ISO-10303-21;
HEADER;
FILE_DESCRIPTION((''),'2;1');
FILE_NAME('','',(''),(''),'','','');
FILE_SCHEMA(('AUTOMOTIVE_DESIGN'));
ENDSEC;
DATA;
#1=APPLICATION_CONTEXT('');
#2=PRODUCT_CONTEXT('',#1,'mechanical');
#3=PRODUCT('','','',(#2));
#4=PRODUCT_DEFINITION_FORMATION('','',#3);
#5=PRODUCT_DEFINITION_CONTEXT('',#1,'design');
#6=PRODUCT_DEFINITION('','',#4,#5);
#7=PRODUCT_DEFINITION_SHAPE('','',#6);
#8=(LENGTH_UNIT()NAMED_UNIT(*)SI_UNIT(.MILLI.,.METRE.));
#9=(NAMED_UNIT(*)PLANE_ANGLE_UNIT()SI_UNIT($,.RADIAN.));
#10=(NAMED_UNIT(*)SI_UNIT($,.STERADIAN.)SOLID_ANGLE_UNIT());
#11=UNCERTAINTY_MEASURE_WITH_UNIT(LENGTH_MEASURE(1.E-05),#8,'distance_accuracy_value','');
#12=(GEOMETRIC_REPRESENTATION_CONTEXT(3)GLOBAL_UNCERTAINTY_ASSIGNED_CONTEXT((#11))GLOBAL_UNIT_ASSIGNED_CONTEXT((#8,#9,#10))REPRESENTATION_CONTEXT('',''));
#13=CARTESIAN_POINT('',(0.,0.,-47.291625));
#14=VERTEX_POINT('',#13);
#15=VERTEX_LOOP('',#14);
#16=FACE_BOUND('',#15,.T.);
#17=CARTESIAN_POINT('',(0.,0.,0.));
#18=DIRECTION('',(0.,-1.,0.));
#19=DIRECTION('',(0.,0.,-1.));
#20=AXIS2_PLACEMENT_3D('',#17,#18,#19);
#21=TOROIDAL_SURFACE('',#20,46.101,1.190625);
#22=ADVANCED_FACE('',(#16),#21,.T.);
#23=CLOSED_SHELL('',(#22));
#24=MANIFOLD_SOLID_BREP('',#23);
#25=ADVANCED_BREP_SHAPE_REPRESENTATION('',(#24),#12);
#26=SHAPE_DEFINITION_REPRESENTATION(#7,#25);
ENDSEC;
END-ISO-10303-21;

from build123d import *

# Parameters (mm, degrees)
SKETCH1_R = 1.190625


with BuildPart() as part:
    # Sketch1 → Revolve1 (revolve)
    with BuildSketch(Plane.XY):
        with Locations((46.101, 0)):
            Circle(SKETCH1_R)
    revolve(axis=Axis((0, 0, 0), (0, 1, 0)))


solid = part.part
